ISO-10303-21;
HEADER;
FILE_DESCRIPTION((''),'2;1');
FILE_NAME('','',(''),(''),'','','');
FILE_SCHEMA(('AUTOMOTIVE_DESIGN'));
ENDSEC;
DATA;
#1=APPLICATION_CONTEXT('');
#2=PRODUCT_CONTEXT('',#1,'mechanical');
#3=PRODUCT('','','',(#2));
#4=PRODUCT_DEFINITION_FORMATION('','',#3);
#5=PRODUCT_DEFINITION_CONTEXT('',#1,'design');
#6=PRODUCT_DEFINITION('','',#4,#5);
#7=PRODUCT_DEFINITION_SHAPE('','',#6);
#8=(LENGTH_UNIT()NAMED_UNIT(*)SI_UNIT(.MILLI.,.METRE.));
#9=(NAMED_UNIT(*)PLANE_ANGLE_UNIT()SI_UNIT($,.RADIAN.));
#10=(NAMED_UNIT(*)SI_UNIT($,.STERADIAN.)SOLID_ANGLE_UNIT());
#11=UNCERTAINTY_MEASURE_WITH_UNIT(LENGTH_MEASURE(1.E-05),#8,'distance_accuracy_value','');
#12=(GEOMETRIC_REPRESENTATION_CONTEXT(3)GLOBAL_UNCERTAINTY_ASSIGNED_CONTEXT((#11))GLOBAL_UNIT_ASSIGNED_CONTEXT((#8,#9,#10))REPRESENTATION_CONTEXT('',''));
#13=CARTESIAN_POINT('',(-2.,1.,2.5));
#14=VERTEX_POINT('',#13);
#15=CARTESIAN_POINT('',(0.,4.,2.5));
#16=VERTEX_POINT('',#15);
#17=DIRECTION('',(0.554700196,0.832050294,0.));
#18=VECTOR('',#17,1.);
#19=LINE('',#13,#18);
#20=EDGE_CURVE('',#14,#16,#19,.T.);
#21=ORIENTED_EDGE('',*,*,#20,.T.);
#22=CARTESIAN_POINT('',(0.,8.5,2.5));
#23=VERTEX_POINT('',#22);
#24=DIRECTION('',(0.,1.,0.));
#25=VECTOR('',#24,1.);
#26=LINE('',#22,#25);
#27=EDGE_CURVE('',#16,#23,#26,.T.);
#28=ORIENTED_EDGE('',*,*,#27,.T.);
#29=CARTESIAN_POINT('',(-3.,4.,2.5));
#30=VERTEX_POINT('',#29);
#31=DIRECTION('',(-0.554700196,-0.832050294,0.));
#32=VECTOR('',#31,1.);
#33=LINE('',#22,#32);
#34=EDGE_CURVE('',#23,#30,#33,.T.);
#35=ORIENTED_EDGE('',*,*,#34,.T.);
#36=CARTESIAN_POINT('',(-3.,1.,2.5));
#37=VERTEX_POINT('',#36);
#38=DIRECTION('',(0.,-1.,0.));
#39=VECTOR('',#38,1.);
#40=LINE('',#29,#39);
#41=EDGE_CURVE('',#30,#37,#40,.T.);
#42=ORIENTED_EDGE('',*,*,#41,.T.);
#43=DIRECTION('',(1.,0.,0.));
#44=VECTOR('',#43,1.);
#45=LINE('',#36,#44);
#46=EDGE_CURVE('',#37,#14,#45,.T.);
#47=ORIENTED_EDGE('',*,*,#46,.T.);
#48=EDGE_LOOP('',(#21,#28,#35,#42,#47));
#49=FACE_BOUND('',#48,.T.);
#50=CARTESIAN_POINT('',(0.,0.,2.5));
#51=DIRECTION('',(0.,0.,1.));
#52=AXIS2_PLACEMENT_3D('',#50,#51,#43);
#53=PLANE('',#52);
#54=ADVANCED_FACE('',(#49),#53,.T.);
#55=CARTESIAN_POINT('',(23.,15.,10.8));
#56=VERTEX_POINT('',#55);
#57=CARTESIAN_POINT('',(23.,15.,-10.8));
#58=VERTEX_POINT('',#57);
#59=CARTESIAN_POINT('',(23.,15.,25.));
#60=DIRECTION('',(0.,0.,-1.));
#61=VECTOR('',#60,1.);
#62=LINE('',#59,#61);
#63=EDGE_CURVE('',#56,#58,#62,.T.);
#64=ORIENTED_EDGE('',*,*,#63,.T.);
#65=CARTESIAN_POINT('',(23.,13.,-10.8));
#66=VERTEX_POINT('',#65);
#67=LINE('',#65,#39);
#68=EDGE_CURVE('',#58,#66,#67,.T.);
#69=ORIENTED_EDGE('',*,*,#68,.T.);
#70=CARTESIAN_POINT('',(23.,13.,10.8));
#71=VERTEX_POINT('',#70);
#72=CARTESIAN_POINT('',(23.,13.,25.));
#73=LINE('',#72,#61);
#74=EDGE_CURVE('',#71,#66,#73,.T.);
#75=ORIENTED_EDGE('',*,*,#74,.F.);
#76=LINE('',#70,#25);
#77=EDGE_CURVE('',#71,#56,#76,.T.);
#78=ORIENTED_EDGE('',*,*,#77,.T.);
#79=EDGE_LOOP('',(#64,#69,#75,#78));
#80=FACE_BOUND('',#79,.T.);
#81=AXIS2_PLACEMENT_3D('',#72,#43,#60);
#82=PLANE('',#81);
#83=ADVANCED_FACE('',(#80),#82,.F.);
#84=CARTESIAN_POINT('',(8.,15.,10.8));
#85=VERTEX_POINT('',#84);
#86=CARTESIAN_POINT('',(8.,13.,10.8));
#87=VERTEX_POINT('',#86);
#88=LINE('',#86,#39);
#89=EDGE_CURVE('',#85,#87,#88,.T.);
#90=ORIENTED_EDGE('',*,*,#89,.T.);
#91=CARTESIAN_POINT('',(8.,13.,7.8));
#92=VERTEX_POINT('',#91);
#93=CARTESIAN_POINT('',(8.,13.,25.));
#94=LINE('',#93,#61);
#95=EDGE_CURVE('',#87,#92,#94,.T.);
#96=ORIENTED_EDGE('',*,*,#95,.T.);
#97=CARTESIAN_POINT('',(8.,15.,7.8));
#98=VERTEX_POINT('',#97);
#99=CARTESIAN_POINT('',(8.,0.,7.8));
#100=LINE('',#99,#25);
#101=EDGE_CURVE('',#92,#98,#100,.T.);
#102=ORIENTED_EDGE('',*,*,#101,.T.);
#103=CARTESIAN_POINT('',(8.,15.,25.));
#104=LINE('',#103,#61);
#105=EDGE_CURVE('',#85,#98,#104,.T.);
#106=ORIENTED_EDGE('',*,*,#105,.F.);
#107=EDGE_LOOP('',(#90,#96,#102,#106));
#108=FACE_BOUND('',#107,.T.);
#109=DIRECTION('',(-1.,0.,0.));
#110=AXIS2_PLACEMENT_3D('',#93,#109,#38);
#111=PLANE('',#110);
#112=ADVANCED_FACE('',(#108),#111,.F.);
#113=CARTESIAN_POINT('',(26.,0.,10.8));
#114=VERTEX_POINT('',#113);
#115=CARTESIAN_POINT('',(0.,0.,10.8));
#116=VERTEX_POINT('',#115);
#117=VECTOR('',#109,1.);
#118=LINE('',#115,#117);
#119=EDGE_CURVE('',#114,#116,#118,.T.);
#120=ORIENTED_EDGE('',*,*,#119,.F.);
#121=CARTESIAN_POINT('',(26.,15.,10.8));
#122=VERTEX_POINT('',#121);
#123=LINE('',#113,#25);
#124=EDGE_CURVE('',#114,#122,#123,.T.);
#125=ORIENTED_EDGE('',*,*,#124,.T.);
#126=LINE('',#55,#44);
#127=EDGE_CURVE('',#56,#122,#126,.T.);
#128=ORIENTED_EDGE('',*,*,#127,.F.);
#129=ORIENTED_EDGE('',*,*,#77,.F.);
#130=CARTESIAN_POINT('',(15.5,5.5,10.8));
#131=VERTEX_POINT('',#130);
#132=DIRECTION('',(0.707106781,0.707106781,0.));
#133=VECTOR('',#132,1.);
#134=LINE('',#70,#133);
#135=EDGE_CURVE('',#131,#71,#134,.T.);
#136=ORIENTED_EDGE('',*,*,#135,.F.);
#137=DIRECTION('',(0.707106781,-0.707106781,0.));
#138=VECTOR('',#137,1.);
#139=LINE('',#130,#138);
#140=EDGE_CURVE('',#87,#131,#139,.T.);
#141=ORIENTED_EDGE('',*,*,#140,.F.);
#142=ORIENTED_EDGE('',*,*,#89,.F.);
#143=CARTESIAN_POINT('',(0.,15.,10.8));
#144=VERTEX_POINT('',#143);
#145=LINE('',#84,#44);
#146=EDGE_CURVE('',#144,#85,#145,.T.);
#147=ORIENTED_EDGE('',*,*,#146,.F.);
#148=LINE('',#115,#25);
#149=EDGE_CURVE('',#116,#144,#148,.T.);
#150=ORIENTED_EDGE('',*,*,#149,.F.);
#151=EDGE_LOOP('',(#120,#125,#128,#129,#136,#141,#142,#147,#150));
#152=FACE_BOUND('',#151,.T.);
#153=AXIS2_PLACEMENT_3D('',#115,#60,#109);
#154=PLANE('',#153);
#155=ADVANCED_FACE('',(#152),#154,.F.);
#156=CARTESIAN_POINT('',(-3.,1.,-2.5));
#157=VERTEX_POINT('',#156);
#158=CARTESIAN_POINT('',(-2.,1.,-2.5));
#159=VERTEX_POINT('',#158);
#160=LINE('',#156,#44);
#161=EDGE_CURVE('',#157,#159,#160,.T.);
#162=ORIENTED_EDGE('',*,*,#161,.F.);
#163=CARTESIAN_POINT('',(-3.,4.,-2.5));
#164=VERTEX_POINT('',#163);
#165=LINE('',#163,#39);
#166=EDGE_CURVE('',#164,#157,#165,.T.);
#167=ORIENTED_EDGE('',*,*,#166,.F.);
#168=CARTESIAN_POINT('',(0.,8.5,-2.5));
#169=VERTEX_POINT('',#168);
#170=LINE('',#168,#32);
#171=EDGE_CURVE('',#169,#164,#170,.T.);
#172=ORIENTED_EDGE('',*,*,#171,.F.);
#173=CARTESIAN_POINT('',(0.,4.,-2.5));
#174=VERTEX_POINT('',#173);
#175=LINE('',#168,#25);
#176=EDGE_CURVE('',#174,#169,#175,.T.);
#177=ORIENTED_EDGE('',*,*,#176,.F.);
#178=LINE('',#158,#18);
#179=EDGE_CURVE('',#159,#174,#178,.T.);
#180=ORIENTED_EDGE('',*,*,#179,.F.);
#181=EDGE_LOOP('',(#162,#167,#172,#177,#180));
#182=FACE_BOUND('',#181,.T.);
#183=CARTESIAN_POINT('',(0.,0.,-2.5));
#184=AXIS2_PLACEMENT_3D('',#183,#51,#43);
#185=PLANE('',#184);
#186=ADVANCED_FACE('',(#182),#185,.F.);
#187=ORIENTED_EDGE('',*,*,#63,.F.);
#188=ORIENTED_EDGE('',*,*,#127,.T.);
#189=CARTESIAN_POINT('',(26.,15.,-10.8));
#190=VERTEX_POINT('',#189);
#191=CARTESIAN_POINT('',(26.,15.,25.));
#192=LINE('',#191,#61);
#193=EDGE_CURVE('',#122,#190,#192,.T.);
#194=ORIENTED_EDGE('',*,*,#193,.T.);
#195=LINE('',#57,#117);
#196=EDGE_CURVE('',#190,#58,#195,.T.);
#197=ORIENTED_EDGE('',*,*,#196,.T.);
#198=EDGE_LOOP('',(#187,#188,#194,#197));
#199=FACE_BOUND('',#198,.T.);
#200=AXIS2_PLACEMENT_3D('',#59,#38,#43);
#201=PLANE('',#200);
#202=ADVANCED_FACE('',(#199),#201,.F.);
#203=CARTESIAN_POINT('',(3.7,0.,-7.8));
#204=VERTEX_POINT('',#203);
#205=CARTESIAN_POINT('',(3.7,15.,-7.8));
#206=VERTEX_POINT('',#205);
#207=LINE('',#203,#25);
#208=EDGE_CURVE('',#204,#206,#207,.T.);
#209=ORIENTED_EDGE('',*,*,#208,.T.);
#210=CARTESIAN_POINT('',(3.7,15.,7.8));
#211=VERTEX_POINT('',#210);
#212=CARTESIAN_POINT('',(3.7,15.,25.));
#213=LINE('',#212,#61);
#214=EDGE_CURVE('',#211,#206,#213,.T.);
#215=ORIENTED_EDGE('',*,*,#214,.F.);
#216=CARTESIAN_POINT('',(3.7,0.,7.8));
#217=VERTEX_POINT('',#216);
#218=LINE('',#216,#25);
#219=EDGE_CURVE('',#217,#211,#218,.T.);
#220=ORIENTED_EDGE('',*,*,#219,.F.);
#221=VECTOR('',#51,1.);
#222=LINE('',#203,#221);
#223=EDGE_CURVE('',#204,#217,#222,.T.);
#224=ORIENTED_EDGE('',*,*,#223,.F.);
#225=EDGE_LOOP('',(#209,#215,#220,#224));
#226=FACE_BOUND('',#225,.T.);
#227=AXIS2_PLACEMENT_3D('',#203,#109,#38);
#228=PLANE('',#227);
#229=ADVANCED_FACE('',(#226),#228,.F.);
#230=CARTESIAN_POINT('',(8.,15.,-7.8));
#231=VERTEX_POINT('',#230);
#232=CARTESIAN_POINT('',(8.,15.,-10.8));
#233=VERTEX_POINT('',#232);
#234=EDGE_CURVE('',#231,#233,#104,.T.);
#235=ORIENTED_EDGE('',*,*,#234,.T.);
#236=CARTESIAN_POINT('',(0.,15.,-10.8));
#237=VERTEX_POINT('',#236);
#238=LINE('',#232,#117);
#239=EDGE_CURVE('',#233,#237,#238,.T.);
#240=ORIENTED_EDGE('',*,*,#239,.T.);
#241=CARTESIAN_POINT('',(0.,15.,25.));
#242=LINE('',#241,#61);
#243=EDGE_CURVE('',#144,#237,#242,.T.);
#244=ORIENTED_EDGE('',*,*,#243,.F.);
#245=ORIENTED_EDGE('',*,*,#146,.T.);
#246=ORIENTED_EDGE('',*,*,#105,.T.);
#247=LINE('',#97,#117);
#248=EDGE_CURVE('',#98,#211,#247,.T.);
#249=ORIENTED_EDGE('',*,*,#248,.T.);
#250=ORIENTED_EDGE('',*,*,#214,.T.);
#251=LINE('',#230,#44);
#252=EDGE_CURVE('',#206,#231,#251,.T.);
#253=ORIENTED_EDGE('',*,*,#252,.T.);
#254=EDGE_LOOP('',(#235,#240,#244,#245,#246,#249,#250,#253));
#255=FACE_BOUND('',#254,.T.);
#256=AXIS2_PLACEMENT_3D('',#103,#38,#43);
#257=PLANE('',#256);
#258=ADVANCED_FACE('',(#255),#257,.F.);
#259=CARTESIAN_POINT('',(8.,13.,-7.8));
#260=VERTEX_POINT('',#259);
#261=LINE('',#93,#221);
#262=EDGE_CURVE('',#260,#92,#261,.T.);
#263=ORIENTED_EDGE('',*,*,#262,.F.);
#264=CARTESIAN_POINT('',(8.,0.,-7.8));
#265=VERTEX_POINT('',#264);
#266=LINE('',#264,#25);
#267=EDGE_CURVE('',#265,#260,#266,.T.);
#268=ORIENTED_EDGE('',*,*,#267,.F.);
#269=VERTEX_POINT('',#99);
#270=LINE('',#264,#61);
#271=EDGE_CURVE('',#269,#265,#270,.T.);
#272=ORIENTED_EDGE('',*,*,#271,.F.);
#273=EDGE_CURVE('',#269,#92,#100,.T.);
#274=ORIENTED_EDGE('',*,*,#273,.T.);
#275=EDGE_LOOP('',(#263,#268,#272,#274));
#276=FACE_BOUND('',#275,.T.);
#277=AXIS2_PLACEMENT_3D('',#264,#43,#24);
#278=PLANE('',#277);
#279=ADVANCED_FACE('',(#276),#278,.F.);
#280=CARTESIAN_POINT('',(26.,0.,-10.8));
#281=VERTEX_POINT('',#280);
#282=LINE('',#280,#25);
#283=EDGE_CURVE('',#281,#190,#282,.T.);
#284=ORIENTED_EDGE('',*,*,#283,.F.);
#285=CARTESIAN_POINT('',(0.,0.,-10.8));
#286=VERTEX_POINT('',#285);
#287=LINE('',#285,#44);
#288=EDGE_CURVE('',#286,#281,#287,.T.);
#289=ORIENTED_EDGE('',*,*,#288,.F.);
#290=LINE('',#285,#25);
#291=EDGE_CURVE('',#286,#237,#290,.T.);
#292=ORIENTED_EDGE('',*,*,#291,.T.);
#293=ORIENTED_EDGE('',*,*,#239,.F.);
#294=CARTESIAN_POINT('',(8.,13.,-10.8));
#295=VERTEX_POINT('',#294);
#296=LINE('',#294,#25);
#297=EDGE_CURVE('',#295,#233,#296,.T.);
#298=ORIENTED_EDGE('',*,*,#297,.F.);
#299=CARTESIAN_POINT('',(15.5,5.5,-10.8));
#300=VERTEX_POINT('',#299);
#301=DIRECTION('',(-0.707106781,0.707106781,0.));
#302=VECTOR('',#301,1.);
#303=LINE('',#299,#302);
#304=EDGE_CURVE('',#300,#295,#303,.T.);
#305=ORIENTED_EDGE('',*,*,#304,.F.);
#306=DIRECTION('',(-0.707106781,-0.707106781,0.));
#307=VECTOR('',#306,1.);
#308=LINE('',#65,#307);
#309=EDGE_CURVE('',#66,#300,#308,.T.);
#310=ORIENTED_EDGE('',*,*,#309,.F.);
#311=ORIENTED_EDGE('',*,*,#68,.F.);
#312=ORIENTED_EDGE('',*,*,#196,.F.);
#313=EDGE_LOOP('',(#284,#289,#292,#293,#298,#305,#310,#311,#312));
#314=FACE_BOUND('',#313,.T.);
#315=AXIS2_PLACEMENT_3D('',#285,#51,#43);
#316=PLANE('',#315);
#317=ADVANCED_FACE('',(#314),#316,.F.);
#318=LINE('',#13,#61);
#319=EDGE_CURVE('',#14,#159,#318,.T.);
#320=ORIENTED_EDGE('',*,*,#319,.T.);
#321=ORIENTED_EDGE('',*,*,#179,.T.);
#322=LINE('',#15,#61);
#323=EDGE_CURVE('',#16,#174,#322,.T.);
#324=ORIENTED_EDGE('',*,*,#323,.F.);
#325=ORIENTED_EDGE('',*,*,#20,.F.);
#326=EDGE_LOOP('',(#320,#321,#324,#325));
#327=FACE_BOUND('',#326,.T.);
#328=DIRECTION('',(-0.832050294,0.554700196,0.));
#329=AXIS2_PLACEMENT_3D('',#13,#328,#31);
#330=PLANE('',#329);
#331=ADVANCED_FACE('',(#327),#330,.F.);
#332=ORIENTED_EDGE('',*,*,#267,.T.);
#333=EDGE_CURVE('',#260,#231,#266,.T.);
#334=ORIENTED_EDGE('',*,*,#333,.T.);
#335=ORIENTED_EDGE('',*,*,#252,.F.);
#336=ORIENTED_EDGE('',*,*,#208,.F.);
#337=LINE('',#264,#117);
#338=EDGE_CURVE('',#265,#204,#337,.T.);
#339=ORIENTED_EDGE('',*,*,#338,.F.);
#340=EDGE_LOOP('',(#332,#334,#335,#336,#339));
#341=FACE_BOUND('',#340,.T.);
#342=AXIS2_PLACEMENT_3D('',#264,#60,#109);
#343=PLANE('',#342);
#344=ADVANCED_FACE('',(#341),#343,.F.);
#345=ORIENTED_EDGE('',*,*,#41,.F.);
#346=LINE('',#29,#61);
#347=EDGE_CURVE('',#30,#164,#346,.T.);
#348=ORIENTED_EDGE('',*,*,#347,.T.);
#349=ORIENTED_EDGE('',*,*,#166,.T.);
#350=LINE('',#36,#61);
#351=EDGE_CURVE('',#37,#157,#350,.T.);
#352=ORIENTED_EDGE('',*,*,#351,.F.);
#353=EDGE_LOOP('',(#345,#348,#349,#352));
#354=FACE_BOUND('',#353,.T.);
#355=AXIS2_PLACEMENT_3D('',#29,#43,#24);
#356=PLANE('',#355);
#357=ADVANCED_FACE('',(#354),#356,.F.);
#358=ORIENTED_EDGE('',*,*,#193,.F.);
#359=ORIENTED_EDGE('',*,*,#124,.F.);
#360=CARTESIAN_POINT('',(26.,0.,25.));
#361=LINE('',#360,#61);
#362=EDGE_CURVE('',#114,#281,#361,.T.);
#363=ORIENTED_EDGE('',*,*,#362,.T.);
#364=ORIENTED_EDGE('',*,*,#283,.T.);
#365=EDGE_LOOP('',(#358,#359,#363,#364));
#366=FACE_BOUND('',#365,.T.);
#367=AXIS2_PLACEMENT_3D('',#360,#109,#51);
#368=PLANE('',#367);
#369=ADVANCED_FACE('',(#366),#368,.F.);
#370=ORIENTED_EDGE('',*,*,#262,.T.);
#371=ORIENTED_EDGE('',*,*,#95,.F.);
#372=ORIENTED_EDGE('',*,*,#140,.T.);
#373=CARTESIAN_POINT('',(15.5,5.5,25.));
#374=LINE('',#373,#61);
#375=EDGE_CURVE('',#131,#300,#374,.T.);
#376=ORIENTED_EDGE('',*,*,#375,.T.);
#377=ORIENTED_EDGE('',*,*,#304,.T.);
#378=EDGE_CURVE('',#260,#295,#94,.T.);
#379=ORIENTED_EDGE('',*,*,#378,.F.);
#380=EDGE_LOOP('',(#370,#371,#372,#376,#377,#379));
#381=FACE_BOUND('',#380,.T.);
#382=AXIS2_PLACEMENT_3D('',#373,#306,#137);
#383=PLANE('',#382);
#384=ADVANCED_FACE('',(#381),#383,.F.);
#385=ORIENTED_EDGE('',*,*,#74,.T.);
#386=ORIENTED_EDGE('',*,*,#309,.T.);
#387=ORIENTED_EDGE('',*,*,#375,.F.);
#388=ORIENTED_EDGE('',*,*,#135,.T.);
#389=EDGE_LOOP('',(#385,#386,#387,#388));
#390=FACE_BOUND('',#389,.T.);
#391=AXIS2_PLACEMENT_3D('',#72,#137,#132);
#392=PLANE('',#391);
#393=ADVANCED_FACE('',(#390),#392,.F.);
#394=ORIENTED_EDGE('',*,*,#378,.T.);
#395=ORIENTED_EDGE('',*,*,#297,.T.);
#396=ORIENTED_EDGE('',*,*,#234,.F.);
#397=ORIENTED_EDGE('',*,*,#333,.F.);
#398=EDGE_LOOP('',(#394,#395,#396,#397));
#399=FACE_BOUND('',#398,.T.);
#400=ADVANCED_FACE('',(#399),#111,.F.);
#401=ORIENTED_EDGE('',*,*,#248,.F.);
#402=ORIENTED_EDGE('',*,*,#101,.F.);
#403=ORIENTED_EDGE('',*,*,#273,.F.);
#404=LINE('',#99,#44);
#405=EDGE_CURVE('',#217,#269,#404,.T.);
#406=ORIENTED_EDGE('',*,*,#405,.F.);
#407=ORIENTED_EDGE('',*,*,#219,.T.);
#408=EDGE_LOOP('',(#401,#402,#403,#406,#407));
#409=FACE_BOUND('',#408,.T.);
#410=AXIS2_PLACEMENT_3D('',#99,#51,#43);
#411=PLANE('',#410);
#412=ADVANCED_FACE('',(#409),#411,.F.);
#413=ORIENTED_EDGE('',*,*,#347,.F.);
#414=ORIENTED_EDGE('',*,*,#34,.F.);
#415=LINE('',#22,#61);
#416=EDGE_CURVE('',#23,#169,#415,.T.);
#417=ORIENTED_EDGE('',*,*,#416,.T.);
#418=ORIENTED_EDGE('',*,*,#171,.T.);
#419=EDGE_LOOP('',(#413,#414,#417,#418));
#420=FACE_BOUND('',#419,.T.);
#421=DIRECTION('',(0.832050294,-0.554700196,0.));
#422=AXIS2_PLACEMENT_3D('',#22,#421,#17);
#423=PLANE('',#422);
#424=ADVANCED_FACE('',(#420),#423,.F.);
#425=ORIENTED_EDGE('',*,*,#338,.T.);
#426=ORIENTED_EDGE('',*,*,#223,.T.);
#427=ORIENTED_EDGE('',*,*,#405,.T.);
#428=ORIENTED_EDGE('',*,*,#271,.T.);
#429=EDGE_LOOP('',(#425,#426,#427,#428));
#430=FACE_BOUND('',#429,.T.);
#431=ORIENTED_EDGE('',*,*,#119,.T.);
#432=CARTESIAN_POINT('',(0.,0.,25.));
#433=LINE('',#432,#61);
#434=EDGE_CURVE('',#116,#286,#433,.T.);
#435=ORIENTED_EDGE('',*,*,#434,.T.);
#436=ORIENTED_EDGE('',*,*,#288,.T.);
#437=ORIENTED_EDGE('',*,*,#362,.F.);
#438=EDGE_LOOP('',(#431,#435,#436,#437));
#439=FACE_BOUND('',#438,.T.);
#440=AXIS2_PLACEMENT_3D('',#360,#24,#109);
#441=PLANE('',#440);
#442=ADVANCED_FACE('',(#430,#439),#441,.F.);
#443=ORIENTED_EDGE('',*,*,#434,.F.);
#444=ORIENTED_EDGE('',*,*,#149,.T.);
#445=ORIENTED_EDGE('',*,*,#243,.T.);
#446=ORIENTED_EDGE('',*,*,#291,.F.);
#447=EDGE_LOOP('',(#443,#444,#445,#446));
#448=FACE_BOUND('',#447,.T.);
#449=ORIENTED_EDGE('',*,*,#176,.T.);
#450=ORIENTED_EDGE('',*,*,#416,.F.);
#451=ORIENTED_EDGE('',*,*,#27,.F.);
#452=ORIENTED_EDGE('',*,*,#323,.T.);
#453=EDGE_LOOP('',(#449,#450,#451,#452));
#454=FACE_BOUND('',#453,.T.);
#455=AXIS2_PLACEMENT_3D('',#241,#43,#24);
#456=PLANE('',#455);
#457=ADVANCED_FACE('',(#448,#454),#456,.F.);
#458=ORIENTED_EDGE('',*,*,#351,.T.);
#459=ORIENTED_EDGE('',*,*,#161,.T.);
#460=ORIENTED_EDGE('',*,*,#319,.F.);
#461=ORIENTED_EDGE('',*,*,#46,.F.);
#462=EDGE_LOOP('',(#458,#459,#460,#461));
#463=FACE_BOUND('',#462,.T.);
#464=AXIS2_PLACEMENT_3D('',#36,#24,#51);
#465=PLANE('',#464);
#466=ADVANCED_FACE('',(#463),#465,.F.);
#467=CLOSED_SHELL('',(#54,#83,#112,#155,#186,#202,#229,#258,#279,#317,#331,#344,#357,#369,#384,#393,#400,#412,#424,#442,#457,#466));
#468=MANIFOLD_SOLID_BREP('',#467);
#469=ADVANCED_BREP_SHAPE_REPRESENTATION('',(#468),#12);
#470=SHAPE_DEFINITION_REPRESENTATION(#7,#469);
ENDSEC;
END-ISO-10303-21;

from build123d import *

# Parameters (mm, degrees)
RESSALTO_EXTRUS_O1_DEPTH   = 25
ESBO_O5_W                  = 4.3
ESBO_O5_H                  = 15.6
ESBO_O5_W_2                = 26
ESBO_O5_H_2                = 14.2
CORTE_EXTRUS_O4_DEPTH      = 1
CORTE_EXTRUS_O4_DEPTH_BACK = 16
RESSALTO_EXTRUS_O2_DEPTH   = 2.5


with BuildPart() as part:
    # Esboço1 → Ressalto-extrusão1 (new body, symmetric)
    with BuildSketch(Plane.XY):
        Polygon((26, 0), (0, 0), (0, 15), (8, 15), (8, 13), (15.5, 5.5), (23, 13), (23, 15), (26, 15), align=None)
    extrude(amount=RESSALTO_EXTRUS_O1_DEPTH, both=True)

    # Esboço5 → Corte-extrusão4 (cut, two sides)
    with BuildSketch(Plane(origin=(0, 15, 0), x_dir=(1, 0, 0), z_dir=(0, 1, 0))) as corte_extrus_o4_sk:
        with Locations((5.85, 0)):
            Rectangle(ESBO_O5_W, ESBO_O5_H)
        with Locations((13, 17.9)):
            Rectangle(ESBO_O5_W_2, ESBO_O5_H_2)
        with Locations((13, -17.9)):
            Rectangle(ESBO_O5_W_2, ESBO_O5_H_2)
    extrude(amount=CORTE_EXTRUS_O4_DEPTH, mode=Mode.SUBTRACT)
    extrude(corte_extrus_o4_sk.sketch, amount=-CORTE_EXTRUS_O4_DEPTH_BACK, mode=Mode.SUBTRACT)

    # Esboço6 → Ressalto-extrusão2 (add, symmetric)
    with BuildSketch(Plane.XY):
        Polygon((0, 8.5), (-3, 4), (-3, 1), (-2, 1), (0, 4), align=None)
    extrude(amount=RESSALTO_EXTRUS_O2_DEPTH, both=True)


solid = part.part
